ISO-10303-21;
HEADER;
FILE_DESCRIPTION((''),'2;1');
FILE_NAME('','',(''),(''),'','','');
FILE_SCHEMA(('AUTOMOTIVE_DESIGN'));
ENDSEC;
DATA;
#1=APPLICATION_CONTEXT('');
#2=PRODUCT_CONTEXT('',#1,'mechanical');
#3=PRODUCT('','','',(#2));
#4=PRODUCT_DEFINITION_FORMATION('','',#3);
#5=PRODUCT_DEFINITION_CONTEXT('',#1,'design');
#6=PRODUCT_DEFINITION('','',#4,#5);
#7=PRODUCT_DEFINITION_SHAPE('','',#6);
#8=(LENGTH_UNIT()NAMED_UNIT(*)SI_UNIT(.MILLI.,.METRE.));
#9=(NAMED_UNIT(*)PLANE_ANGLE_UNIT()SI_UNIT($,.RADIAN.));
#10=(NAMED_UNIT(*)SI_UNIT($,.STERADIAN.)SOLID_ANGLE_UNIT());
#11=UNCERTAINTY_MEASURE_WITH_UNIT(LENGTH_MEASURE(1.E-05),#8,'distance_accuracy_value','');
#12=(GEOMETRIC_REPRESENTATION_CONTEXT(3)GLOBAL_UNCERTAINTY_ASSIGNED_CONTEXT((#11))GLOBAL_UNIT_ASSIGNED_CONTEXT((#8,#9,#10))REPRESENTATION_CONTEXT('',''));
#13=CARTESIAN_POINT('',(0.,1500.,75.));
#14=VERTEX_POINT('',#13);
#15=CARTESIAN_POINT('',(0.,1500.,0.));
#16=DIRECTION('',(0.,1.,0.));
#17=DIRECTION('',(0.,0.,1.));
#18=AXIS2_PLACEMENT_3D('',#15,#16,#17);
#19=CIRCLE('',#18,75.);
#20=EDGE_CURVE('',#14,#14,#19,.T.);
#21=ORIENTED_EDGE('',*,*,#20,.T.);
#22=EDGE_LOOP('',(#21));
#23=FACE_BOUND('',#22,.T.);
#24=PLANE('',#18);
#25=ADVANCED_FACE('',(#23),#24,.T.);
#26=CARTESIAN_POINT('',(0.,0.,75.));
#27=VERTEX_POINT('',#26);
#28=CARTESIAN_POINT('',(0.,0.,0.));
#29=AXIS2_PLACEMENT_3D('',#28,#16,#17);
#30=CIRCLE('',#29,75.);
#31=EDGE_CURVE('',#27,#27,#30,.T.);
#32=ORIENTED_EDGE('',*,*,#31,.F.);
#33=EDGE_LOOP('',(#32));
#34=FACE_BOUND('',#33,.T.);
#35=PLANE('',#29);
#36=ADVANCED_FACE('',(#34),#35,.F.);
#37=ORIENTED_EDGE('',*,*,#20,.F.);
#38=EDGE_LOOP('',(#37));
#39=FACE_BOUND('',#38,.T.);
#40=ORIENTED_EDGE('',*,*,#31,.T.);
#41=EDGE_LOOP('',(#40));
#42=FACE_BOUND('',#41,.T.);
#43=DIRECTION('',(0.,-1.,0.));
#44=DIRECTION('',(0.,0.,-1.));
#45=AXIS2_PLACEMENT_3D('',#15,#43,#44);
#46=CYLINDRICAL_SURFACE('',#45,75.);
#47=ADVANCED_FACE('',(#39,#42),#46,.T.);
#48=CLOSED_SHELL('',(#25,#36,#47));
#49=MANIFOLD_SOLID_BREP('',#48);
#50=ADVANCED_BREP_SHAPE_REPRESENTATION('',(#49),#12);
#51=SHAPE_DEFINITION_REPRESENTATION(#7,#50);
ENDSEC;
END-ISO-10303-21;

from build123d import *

# Parameters (mm, degrees)
SKETCH1_R           = 75
BOSS_EXTRUDE1_DEPTH = 1500


with BuildPart() as part:
    # Sketch1 → Boss-Extrude1 (new body)
    with BuildSketch(Plane(origin=(0, 0, 0), x_dir=(1, 0, 0), z_dir=(0, 1, 0))):
        Circle(SKETCH1_R)
    extrude(amount=BOSS_EXTRUDE1_DEPTH)


solid = part.part
